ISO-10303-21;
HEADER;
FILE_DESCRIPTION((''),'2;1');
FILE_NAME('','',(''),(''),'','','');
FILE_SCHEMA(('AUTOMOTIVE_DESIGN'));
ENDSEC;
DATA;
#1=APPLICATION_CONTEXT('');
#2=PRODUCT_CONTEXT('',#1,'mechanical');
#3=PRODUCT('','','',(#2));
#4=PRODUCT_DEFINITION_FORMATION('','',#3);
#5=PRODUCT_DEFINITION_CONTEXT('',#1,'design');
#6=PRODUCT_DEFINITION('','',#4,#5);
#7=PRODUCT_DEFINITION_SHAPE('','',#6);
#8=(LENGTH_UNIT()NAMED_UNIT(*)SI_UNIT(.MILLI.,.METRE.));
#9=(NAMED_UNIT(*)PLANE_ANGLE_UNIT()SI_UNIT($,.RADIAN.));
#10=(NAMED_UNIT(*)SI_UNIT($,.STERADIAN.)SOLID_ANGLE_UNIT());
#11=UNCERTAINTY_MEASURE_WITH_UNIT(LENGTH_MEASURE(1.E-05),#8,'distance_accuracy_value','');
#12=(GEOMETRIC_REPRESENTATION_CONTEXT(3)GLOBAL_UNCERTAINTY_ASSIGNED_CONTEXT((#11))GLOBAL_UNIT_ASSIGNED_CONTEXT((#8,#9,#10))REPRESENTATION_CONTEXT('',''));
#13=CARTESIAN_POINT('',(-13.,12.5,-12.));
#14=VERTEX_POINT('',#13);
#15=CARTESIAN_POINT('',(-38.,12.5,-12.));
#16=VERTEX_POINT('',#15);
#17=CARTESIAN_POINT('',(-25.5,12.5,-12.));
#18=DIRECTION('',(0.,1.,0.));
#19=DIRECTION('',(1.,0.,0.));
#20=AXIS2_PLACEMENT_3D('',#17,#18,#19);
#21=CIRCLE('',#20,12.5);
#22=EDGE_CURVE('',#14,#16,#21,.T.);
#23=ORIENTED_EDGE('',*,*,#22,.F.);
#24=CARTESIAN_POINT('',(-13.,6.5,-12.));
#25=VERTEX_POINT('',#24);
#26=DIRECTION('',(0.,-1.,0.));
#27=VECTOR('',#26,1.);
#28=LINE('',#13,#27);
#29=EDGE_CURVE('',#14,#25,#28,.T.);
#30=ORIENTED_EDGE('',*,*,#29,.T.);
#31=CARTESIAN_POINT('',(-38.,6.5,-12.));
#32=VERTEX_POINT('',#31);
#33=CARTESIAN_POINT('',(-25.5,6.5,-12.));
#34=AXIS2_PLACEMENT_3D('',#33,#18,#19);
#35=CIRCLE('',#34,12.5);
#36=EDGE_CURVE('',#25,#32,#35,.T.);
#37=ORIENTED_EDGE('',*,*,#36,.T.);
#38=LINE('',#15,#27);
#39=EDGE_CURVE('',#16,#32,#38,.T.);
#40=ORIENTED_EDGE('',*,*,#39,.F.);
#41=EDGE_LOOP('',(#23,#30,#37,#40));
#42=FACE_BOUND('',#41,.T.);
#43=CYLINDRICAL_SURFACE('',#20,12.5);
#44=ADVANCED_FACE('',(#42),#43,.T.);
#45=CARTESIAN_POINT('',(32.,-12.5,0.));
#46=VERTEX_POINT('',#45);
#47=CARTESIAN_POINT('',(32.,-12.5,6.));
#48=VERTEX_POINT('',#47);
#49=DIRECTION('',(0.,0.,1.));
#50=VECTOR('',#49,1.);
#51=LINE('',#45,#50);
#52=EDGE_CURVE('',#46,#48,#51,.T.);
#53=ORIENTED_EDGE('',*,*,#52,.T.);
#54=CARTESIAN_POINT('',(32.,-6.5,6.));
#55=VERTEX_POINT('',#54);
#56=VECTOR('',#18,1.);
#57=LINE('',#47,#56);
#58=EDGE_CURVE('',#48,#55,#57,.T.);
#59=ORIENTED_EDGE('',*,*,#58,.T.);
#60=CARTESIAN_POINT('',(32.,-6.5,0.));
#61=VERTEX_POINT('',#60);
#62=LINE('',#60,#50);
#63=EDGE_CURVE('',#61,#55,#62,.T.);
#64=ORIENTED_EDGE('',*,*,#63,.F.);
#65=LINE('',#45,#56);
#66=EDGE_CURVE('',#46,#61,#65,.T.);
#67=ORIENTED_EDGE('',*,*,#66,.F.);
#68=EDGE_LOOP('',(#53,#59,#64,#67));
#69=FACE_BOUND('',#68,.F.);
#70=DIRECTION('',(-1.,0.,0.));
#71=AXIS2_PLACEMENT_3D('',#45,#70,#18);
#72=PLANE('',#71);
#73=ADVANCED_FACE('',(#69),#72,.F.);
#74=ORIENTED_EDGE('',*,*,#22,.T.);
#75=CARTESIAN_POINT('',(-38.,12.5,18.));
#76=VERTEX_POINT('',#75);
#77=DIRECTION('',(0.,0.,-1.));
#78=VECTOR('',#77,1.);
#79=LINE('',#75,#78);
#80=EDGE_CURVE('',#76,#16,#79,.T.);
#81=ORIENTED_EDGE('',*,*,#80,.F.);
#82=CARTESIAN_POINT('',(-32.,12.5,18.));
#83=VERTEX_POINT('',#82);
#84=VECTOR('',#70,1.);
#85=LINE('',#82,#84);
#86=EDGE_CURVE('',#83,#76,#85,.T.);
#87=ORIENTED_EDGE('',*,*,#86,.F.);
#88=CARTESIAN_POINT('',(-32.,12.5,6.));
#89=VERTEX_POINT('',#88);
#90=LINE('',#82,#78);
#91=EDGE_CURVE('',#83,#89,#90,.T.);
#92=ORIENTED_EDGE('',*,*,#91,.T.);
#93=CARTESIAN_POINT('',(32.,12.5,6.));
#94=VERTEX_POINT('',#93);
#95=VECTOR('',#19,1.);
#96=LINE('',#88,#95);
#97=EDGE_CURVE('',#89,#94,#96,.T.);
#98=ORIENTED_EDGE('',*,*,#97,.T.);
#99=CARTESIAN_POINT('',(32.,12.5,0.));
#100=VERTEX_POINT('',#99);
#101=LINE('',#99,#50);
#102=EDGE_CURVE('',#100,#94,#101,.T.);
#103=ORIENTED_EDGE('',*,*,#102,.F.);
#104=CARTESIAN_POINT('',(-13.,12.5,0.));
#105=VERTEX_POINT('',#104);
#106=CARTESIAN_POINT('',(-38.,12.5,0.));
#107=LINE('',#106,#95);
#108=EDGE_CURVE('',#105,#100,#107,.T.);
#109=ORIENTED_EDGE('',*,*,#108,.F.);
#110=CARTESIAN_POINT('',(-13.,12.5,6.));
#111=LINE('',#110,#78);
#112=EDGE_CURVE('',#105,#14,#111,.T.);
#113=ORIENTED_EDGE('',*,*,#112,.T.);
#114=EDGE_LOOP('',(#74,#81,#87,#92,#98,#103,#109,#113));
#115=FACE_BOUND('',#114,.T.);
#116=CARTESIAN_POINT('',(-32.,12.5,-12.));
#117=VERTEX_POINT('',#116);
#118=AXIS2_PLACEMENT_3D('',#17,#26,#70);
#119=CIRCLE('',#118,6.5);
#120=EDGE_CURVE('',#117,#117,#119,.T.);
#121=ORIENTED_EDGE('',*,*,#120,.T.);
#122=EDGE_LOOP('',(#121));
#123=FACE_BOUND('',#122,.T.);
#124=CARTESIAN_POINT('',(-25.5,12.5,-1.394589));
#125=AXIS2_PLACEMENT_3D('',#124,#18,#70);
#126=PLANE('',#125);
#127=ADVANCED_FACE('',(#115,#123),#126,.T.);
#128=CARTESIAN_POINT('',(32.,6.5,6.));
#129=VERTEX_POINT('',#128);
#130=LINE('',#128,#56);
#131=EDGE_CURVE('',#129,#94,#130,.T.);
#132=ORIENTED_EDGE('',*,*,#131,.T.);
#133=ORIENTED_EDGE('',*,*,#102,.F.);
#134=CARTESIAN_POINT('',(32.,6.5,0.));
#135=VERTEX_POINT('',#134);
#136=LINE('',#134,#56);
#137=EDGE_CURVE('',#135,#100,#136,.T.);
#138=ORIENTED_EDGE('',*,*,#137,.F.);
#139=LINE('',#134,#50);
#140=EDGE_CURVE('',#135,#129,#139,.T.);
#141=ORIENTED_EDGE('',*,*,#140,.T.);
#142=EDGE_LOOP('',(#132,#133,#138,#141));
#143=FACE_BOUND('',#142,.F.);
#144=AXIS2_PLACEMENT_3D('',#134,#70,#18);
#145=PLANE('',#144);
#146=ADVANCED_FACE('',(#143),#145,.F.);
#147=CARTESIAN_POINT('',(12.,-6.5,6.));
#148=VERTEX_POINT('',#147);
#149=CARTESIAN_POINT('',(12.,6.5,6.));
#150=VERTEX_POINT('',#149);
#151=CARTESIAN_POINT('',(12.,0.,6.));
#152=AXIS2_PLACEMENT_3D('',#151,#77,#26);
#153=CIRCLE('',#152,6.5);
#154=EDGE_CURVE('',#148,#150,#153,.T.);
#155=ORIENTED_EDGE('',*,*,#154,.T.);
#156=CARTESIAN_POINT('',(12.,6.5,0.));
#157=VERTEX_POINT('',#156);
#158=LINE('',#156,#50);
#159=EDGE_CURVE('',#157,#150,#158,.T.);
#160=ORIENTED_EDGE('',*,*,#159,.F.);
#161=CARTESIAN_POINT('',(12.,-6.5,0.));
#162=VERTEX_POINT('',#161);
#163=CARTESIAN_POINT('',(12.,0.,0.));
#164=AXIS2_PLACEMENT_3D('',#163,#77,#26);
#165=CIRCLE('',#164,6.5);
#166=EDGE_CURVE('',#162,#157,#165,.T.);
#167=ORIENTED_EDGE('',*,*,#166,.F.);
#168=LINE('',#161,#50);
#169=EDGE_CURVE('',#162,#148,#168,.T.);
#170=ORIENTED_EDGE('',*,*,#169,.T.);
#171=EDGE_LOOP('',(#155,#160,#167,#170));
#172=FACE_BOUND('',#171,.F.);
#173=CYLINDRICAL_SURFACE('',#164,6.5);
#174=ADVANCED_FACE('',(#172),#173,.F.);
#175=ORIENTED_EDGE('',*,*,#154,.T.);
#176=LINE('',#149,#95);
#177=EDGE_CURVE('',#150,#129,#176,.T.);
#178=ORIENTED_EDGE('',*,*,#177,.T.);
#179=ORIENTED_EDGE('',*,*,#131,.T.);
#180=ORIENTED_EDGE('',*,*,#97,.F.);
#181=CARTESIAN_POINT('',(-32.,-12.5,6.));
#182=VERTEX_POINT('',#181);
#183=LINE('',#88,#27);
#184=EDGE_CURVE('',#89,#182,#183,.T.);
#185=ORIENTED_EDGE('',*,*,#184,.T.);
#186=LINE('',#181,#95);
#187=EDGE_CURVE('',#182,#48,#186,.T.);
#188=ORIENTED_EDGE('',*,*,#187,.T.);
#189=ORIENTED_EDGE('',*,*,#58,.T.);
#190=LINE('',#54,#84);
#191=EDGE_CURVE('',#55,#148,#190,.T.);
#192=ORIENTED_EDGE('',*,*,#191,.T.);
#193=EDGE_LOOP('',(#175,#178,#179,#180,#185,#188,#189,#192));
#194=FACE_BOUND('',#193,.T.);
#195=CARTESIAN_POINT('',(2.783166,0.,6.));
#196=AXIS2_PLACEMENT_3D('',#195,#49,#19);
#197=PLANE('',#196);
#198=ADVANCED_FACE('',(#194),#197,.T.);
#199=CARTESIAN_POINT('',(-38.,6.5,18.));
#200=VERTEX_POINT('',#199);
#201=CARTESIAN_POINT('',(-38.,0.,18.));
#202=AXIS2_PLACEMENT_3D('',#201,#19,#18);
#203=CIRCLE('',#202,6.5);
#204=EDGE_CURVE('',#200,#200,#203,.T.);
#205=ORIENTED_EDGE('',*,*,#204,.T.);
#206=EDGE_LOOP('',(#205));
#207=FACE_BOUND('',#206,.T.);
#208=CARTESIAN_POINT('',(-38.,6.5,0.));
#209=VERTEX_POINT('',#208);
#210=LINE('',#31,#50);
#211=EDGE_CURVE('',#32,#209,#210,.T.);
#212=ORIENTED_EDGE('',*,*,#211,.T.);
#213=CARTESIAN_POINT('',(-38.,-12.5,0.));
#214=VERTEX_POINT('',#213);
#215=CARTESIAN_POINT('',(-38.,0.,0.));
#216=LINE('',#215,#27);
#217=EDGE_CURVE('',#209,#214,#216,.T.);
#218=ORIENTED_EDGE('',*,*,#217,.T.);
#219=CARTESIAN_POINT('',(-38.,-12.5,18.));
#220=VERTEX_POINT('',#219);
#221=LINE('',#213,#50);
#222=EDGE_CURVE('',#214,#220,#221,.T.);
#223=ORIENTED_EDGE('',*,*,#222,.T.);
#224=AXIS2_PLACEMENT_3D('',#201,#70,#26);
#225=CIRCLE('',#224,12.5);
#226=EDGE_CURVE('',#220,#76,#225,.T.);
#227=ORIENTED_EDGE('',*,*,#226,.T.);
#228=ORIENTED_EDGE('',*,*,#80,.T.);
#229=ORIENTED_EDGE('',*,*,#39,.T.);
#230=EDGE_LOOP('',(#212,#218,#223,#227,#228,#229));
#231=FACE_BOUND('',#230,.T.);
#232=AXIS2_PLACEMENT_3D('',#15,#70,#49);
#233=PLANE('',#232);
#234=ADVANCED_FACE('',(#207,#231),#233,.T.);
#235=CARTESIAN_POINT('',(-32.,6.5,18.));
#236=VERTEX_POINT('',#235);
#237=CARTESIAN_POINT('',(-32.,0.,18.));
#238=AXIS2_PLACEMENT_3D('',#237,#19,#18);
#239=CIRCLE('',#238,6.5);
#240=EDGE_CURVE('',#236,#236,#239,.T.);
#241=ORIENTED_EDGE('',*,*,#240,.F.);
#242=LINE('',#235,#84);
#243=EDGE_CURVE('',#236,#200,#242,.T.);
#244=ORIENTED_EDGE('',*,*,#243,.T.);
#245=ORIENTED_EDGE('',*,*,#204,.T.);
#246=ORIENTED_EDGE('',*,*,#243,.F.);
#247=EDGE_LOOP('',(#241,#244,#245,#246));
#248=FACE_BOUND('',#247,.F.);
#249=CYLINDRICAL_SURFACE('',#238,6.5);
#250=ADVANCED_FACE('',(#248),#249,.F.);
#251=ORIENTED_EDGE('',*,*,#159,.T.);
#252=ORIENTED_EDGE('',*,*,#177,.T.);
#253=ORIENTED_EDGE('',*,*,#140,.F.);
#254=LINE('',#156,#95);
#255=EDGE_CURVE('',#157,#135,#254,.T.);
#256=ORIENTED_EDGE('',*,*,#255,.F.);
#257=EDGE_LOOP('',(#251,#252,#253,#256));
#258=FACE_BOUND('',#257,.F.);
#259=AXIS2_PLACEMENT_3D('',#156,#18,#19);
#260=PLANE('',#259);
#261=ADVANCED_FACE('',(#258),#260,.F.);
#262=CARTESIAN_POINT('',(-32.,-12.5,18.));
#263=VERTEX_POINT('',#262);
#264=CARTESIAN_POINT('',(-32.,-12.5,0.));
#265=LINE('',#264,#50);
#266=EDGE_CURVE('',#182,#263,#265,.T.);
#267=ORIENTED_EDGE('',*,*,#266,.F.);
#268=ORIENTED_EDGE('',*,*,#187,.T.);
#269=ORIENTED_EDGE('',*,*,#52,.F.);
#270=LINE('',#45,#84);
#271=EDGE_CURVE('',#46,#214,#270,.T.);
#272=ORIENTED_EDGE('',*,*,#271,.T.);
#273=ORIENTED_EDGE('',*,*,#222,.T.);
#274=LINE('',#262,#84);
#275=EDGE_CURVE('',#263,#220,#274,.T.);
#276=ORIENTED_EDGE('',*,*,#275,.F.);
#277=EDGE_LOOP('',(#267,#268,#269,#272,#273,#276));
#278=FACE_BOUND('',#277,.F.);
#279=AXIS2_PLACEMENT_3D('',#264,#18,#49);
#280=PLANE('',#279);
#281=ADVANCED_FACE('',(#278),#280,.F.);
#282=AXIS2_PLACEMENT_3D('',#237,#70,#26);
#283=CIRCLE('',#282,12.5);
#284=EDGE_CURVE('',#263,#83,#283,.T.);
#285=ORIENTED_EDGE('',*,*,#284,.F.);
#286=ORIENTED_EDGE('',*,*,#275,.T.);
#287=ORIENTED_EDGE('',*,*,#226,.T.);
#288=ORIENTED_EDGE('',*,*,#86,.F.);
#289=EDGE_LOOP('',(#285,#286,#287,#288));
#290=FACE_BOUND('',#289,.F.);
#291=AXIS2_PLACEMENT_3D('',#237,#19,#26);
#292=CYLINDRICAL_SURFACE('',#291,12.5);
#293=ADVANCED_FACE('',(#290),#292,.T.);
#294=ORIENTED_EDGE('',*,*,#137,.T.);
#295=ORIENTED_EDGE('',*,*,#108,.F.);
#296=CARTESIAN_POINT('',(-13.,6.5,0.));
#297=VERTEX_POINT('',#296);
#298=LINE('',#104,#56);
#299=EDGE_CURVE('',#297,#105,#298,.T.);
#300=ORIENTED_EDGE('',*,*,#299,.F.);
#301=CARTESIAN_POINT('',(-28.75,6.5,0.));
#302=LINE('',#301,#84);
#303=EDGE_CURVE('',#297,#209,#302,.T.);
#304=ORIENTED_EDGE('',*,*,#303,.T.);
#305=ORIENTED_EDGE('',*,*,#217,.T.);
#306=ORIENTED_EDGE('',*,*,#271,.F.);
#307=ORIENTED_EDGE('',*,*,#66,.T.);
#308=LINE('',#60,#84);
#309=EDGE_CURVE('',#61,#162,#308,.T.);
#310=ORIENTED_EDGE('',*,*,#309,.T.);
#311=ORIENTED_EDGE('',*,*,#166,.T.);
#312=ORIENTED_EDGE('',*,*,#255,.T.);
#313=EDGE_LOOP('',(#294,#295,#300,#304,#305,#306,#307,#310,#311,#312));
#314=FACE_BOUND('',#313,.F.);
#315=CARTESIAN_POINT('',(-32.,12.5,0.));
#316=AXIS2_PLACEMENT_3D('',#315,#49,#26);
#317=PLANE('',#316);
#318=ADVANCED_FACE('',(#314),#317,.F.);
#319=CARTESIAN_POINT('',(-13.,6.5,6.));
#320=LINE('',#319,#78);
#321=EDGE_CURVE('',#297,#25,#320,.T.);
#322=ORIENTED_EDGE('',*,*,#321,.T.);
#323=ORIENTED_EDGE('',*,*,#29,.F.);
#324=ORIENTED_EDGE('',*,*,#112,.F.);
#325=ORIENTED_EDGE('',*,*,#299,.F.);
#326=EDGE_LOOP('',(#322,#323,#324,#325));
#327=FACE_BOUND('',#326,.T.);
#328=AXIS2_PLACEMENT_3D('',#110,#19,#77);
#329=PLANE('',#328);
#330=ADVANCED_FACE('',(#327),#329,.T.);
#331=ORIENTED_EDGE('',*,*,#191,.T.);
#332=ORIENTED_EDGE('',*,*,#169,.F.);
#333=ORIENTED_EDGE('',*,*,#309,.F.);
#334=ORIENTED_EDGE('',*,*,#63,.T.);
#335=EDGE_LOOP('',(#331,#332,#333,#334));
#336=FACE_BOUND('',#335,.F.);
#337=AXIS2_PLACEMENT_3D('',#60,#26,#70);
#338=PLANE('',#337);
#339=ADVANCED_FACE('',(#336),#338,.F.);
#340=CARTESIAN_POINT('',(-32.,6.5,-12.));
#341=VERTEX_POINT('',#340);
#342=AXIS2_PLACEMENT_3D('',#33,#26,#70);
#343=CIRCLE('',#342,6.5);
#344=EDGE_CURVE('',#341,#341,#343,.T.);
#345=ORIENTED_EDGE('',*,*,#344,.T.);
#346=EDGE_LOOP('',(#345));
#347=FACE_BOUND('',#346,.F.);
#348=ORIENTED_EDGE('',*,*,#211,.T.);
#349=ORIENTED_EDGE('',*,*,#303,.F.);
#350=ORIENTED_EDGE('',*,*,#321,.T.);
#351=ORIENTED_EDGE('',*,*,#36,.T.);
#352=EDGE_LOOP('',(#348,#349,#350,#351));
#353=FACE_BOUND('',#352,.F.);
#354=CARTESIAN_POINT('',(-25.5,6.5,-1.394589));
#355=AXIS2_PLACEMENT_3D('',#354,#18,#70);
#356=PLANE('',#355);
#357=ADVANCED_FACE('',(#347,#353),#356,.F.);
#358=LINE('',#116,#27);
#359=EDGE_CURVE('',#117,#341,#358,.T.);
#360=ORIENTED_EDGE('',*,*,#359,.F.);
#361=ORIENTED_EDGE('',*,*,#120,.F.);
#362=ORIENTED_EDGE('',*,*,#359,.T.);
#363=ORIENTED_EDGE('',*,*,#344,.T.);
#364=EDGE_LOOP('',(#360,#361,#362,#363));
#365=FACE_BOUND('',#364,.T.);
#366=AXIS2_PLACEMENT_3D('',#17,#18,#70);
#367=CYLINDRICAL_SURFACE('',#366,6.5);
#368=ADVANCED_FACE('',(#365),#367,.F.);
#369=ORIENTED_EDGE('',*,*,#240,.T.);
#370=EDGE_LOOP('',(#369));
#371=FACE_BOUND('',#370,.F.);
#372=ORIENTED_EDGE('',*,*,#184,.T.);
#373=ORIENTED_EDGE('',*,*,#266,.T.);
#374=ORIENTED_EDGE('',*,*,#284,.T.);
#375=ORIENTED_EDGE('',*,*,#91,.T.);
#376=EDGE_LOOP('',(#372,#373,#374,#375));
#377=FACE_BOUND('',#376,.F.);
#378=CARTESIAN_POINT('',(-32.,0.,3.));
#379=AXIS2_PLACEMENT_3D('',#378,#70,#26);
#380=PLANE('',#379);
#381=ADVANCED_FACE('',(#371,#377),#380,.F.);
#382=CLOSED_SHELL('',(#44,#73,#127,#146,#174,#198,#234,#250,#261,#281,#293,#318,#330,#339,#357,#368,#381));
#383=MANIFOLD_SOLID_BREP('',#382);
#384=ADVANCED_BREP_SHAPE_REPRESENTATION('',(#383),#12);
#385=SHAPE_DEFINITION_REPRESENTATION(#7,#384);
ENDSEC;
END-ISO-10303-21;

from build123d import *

# Parameters (mm, degrees)
F1_DEPTH = 6
F2_W     = 25
F2_H     = 6
F3_DEPTH = 6
F5_DEPTH = 6


with BuildPart() as f1:
    # F0 (on Top) → F1 (new body)
    with BuildSketch(Plane.XY):
        with BuildLine():
            Line((-32, -12.5), (32, -12.5))
            Line((32, -12.5), (32, -6.5))
            Line((32, -6.5), (12, -6.5))
            ThreePointArc((12, -6.5), (5.5, 0), (12, 6.5))
            Line((12, 6.5), (32, 6.5))
            Line((32, 6.5), (32, 12.5))
            Line((32, 12.5), (-32, 12.5))
            Line((-32, 12.5), (-32, -12.5))
        make_face()
    extrude(amount=F1_DEPTH)

    # F2 (on face) → F3 (join)
    with BuildSketch(Plane(origin=(-32, 0, 0), x_dir=(0, -1, 0), z_dir=(-1, 0, 0))):
        with Locations((0, 3)):
            Rectangle(F2_W, F2_H)
        with BuildLine():
            ThreePointArc((12.5, 18), (0, 30.5), (-12.5, 18))
            Line((-12.5, 18), (-6.5, 18))
            ThreePointArc((-6.5, 18), (0, 24.5), (6.5, 18))
            Line((6.5, 18), (12.5, 18))
        make_face()
        with BuildLine():
            Line((-12.5, 18), (-12.5, 6))
            Line((-12.5, 6), (12.5, 6))
            Line((12.5, 6), (12.5, 18))
            Line((12.5, 18), (6.5, 18))
            ThreePointArc((6.5, 18), (0, 11.5), (-6.5, 18))
            Line((-6.5, 18), (-12.5, 18))
        make_face()
    extrude(amount=F3_DEPTH)

    # F4 (on face) → F5 (join)
    with BuildSketch(Plane(origin=(0, 12.5, 0), x_dir=(-1, 0, 0), z_dir=(0, 1, 0))):
        with BuildLine():
            Line((38, -12), (38, 6))
            Line((38, 6), (13, 6))
            Line((13, 6), (13, -12))
            ThreePointArc((13, -12), (25.5, 0.5), (38, -12))
        make_face()
        with BuildLine():
            ThreePointArc((13, -12), (25.5, -24.5), (38, -12))
            Line((38, -12), (32, -12))
            ThreePointArc((32, -12), (25.5, -18.5), (19, -12))
            Line((19, -12), (13, -12))
        make_face()
        with BuildLine():
            Line((32, -12), (38, -12))
            ThreePointArc((38, -12), (25.5, 0.5), (13, -12))
            Line((13, -12), (19, -12))
            ThreePointArc((19, -12), (25.5, -5.5), (32, -12))
        make_face()
    extrude(amount=-F5_DEPTH)


solid = f1.part
